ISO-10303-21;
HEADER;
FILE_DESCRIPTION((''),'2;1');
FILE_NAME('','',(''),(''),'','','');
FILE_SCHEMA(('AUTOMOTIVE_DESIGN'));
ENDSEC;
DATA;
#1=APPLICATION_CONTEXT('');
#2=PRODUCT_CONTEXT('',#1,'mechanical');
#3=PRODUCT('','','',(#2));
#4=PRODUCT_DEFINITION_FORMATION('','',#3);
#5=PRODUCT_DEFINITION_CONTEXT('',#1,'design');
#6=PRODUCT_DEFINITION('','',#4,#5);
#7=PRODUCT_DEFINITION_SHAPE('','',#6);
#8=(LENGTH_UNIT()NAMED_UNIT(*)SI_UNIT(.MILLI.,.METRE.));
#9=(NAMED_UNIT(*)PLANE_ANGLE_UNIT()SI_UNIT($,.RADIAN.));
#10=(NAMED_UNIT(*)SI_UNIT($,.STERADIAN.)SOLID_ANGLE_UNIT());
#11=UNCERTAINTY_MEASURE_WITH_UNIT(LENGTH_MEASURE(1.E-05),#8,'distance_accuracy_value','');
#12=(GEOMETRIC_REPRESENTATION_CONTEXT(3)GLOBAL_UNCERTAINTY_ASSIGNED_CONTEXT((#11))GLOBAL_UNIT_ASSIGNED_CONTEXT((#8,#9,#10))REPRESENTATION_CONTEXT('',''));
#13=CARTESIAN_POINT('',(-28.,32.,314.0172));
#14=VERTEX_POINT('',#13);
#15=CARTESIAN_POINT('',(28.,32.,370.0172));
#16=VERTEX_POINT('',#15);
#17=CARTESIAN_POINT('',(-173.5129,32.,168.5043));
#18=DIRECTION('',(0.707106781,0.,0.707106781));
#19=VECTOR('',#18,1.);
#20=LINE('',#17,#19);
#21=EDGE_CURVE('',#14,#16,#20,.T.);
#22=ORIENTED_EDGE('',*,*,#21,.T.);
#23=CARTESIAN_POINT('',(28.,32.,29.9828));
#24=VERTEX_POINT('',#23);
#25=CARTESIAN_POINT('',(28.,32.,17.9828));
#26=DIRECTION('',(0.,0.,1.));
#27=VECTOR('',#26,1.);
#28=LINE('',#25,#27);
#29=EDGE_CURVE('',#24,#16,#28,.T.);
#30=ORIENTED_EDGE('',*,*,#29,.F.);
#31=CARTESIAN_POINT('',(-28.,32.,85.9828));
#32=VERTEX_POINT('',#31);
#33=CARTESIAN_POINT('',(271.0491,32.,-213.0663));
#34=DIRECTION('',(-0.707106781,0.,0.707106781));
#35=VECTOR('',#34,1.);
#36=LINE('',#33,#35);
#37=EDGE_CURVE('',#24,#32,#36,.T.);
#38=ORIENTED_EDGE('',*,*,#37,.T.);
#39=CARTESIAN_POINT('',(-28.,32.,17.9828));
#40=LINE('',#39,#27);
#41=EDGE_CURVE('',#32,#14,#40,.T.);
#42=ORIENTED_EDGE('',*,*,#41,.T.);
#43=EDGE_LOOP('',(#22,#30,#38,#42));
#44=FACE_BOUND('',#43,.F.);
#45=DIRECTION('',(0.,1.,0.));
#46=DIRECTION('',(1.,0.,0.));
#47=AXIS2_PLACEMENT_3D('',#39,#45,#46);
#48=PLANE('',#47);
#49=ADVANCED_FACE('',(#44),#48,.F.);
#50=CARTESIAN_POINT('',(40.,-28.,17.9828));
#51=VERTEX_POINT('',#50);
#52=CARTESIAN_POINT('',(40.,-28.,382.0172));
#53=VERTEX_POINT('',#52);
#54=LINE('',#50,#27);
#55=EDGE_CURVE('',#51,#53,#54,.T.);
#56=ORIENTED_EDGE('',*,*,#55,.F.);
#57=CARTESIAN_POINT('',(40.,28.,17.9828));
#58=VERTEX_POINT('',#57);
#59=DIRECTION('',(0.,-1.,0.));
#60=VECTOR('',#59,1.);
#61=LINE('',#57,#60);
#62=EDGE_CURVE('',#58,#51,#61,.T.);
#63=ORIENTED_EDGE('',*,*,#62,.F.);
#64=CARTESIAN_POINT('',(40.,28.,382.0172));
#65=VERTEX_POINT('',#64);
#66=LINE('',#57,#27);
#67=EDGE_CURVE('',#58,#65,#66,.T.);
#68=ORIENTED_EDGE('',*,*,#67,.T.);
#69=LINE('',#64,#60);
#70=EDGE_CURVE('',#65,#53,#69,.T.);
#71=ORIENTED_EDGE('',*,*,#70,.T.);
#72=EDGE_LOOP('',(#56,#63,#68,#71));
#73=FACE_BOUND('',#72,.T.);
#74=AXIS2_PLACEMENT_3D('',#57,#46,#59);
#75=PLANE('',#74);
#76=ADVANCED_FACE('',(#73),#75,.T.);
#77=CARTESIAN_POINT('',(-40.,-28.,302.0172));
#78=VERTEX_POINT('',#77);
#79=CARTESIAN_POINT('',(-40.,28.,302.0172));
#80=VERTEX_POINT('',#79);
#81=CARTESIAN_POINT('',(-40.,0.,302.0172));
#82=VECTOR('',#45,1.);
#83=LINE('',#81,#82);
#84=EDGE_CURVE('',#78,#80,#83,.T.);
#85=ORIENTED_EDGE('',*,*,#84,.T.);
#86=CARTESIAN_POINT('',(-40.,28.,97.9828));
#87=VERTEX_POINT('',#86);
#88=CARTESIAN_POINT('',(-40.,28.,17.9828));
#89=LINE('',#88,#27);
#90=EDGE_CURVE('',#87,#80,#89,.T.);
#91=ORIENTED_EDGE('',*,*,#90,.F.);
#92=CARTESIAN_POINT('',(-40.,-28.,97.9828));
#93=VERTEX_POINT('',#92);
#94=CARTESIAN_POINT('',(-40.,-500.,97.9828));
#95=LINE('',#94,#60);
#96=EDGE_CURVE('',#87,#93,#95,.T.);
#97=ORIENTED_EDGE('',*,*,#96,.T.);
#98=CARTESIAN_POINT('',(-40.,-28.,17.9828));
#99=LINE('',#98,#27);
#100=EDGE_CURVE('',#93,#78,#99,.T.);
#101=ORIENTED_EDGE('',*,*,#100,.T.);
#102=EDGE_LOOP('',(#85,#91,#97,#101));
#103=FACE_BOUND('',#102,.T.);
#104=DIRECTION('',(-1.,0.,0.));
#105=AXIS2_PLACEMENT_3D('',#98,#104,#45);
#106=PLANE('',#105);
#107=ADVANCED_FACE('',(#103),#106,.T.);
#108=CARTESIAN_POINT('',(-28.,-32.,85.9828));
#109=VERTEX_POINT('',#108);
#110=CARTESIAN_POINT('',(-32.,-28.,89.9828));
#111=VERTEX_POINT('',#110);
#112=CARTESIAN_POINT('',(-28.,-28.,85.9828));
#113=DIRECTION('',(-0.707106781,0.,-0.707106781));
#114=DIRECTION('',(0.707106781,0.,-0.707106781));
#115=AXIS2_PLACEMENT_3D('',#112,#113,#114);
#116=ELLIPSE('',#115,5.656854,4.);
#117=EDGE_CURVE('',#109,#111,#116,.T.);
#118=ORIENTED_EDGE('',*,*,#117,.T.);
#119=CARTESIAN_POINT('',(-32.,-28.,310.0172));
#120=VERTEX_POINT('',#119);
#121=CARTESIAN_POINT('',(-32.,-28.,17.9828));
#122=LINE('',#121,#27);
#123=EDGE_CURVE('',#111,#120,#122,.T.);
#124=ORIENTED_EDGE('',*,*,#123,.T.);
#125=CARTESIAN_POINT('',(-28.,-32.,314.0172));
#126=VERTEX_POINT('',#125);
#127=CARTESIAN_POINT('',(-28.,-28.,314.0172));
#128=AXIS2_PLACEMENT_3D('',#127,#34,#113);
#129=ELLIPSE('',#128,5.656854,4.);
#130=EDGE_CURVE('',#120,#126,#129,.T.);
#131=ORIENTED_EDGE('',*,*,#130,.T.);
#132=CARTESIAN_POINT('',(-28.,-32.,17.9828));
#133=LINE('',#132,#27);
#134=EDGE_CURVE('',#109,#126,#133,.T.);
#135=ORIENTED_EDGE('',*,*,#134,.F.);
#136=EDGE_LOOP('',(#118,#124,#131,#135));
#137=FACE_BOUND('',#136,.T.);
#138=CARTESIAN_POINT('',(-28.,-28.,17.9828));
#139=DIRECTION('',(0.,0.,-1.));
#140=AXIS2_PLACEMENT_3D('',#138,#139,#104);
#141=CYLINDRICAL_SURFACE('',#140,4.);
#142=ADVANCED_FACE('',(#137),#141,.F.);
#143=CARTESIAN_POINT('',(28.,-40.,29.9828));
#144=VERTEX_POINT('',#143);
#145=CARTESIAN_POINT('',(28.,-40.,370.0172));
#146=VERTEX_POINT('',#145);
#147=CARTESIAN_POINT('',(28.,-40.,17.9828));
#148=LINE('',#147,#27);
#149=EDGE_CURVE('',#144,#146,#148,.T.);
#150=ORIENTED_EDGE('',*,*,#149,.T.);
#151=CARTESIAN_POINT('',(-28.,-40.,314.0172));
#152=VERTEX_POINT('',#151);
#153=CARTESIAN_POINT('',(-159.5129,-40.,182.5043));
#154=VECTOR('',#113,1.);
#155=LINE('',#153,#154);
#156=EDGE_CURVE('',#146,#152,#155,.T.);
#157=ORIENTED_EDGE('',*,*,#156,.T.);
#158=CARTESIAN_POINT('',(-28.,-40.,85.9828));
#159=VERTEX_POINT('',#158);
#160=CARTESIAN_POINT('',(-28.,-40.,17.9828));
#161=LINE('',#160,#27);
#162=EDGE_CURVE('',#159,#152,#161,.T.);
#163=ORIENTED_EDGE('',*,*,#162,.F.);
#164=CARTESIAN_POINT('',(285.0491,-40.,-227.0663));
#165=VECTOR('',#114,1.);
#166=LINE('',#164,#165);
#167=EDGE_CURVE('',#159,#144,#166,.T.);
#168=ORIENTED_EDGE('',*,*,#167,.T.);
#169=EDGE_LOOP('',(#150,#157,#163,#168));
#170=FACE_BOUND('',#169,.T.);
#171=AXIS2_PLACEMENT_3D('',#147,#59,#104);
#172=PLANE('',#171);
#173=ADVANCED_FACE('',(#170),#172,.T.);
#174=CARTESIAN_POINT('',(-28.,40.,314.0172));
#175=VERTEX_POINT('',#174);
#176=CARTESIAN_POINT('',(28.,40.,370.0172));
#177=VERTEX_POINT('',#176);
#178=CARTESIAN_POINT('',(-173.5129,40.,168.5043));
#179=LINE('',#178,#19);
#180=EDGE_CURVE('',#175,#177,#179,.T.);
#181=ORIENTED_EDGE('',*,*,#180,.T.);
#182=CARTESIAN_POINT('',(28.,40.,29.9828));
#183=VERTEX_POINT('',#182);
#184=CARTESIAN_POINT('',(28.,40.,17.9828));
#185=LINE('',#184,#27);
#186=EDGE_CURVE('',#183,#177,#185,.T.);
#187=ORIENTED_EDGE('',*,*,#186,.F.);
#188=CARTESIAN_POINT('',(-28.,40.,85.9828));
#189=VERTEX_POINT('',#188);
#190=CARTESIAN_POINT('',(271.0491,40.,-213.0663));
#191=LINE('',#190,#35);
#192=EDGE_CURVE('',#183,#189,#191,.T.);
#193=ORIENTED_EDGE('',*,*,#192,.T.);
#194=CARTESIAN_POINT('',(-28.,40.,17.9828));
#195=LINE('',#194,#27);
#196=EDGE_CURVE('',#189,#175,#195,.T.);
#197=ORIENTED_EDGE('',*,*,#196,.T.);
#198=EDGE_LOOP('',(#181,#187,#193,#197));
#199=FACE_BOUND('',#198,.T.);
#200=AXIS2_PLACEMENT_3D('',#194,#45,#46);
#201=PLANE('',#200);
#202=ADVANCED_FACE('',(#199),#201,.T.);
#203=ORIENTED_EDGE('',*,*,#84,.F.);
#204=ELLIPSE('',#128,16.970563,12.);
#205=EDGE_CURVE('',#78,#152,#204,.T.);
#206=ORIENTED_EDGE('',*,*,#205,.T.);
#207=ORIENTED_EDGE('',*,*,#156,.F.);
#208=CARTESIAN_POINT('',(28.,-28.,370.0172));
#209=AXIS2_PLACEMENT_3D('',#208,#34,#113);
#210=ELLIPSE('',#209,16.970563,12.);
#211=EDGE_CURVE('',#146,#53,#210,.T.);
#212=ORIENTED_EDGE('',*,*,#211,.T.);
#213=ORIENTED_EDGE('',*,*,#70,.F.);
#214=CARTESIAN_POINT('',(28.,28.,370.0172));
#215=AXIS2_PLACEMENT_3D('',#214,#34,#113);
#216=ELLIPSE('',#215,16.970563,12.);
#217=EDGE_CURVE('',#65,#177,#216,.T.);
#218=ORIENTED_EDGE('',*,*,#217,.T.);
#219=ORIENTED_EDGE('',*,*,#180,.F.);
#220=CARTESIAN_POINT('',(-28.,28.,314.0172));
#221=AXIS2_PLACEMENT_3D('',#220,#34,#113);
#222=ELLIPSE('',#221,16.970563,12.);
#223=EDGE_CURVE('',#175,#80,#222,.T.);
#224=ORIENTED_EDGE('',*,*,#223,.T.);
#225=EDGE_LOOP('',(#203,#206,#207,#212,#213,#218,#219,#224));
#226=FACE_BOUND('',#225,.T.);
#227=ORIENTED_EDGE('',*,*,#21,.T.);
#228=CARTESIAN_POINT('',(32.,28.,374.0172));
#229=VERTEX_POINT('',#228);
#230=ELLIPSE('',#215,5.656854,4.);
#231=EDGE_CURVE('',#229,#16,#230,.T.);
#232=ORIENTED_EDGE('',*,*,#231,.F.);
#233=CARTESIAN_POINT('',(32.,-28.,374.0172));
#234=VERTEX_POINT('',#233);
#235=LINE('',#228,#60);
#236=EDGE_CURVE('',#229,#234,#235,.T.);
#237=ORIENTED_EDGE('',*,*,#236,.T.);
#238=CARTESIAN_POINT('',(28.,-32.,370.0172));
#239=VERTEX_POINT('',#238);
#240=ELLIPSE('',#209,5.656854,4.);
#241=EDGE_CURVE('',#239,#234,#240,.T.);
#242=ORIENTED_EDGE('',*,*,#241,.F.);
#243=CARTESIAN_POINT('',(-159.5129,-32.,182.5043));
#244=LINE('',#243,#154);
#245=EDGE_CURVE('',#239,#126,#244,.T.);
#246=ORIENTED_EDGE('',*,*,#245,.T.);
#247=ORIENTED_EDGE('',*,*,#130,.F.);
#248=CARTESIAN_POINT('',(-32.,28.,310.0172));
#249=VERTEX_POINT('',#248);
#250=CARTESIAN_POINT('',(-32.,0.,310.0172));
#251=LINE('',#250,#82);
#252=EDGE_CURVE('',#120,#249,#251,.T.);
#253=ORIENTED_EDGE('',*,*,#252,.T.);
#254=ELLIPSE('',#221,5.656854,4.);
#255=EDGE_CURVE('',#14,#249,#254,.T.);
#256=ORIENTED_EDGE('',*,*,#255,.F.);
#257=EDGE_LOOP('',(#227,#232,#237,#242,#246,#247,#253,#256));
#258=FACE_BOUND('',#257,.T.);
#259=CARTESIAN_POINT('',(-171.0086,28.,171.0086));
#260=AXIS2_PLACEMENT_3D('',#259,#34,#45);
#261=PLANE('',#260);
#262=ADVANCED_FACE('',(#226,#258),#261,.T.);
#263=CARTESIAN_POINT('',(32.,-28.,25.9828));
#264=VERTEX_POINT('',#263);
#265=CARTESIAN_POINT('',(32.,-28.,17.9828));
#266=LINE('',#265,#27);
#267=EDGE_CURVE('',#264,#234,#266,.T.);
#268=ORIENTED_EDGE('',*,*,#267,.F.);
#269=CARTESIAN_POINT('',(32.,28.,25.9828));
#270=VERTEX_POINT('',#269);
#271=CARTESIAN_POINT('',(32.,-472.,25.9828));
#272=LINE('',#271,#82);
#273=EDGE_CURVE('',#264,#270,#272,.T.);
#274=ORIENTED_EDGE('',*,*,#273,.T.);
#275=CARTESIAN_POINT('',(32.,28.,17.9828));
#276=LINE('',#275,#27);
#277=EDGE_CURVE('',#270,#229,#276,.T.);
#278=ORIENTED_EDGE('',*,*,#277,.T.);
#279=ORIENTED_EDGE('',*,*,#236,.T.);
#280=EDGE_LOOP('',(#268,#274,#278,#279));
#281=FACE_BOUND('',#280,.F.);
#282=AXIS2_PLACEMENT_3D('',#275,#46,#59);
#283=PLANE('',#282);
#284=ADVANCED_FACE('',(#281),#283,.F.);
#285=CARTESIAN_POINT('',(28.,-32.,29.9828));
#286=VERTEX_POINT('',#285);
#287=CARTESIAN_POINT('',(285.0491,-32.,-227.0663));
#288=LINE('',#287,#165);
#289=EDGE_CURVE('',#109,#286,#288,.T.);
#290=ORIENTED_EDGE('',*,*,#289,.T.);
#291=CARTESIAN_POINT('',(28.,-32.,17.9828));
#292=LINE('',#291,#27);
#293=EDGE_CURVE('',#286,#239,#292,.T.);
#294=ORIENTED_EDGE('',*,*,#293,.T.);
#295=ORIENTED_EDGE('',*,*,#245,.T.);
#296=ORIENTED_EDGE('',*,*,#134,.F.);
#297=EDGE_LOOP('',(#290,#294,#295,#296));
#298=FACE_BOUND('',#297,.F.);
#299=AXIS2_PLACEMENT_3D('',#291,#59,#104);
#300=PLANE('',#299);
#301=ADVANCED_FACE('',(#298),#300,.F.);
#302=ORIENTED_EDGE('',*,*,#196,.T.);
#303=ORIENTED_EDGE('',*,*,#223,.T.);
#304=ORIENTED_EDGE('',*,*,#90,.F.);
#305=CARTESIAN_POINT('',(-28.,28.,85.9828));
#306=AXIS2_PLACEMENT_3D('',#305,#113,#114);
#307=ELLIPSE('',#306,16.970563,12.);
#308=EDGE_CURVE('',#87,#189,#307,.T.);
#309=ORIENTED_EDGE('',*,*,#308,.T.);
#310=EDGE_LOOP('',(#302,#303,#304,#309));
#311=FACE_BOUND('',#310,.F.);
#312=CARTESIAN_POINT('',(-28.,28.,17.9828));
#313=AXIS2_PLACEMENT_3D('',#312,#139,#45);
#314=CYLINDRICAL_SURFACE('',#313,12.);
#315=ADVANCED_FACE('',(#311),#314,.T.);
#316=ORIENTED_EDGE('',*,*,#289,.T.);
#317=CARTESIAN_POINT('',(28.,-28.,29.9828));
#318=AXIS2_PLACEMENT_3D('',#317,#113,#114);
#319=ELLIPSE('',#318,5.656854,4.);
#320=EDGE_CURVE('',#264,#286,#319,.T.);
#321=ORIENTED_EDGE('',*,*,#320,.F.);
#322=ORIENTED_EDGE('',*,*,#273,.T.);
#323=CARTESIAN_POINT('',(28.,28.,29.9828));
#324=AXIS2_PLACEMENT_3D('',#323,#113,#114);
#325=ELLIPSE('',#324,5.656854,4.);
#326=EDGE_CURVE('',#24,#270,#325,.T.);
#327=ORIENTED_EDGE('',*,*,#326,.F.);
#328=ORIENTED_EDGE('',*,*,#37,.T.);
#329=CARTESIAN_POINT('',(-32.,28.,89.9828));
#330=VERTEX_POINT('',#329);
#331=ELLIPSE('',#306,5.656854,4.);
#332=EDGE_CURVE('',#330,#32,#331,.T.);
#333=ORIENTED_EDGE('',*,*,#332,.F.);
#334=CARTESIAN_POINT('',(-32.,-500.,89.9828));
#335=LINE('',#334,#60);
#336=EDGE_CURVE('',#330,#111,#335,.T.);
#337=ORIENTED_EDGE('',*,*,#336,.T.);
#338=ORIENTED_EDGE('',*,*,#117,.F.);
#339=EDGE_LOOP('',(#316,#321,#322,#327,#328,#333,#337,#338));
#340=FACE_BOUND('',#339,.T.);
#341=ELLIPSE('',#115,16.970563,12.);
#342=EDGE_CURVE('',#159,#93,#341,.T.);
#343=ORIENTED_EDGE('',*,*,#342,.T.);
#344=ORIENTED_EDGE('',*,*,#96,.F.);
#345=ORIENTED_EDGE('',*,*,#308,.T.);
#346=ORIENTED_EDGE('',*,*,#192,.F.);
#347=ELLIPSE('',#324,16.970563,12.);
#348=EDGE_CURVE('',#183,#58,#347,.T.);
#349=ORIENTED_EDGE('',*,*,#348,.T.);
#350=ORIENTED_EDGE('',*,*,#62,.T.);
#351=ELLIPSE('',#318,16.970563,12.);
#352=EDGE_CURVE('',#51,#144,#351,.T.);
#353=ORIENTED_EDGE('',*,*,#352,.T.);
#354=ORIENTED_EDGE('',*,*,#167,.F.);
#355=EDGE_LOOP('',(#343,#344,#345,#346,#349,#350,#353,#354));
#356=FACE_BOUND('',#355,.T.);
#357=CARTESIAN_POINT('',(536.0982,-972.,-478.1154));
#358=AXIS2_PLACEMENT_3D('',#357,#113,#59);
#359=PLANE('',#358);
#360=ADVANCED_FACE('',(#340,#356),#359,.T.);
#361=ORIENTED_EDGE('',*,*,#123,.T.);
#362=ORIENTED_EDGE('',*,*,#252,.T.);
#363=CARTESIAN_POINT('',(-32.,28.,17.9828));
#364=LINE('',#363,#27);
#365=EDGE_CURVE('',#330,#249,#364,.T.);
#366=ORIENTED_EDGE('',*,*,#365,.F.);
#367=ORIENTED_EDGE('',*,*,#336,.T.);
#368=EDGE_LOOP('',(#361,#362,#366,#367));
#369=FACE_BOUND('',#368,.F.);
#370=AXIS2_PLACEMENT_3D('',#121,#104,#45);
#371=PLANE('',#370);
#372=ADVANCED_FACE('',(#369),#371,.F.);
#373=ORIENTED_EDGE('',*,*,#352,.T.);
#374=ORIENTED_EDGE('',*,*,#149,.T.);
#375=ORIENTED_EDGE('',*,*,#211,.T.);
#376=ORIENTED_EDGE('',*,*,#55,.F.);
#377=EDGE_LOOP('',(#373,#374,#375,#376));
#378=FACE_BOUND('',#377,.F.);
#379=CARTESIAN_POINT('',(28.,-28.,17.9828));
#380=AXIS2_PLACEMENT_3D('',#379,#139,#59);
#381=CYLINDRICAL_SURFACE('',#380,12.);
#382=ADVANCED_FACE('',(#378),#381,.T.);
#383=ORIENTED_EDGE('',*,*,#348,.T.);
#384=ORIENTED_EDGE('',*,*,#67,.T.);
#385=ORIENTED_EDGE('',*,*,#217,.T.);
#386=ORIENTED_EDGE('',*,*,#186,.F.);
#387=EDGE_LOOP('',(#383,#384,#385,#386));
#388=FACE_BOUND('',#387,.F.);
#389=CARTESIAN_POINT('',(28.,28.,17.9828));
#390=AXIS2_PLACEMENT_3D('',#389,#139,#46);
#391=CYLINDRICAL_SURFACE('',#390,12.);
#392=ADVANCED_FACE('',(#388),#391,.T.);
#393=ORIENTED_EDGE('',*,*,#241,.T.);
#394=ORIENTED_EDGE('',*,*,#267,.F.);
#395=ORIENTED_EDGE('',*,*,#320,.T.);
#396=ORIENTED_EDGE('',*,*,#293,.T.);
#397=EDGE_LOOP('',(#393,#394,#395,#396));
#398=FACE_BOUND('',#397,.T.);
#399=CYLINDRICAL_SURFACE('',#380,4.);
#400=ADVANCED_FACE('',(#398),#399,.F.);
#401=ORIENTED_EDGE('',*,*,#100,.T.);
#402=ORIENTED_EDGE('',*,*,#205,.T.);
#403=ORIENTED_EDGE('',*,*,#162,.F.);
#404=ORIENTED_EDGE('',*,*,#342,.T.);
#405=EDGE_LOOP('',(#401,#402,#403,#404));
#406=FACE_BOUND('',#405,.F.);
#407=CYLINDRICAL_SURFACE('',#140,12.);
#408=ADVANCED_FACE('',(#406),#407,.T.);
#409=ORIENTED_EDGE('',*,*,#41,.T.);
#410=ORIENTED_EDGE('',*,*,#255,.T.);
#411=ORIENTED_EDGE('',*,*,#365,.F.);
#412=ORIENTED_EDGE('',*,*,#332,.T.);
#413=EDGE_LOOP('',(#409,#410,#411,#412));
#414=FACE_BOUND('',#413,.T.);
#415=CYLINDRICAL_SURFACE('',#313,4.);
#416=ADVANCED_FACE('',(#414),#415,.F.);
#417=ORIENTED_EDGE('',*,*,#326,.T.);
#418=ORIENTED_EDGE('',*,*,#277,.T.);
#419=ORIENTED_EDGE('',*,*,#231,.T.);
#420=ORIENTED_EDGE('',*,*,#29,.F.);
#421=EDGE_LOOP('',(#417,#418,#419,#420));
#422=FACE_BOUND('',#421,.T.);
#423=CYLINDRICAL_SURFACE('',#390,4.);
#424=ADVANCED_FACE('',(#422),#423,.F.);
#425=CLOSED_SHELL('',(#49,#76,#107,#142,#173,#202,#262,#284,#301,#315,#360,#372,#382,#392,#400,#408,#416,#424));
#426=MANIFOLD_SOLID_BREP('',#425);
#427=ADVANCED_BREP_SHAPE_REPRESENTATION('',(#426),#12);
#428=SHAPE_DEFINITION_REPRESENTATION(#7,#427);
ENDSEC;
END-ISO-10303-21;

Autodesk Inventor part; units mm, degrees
ref_plane "Start Plane" through (0, 0, 17.9828) normal (0, 0, 1) x (1, 0, 0)
ref_plane "End Plane" through (0, 0, 382.0172) normal (0, 0, 1) x (1, 0, 0)
sketch "Sketch" plane through (0, 0, 0) normal (0, 0, 1) x (1, 0, 0)
  line L0 (-40, -28) -> (-40, 28)
  line L1 (-28, 40) -> (28, 40)
  line L2 (40, 28) -> (40, -28)
  line L3 (28, -40) -> (-28, -40)
  arc A0 (-40, -28) -> (-28, -40) centre (-28, -28) ccw
  arc A1 (-28, 40) -> (-40, 28) centre (-28, 28) ccw
  arc A2 (40, 28) -> (28, 40) centre (28, 28) ccw
  arc A3 (28, -40) -> (40, -28) centre (28, -28) ccw
  arc A4 (-28, 32) -> (-32, 28) centre (-28, 28) ccw
  line L4 (-28, 32) -> (28, 32)
  arc A5 (32, 28) -> (28, 32) centre (28, 28) ccw
  line L5 (32, 28) -> (32, -28)
  arc A6 (28, -32) -> (32, -28) centre (28, -28) ccw
  line L6 (28, -32) -> (-28, -32)
  arc A7 (-32, -28) -> (-28, -32) centre (-28, -28) ccw
  line L7 (-32, -28) -> (-32, 28)
  line L8 (0, 59.4794) -> (0, -59.4794) construction
  line L9 (-59.4794, 0) -> (59.4794, 0) construction
  dimension "d7" = 12
  dimension "d10" = 80
  dimension "d11" = 80
  dimension "d12" = 8
  dimension "d15" = 40
  dimension "d16" = 40
extrude "Body" add sketch "Sketch" along normal up to surface (364.0345 mm away) from surface at 17.9828
sketch "Sketch3" plane through (0, 0, 0) normal (0, 0, 1) x (1, 0, 0)
  line L0 (0, 0) -> (10, 0)
ref_plane "Work Plane3" through (0, 0, 0) normal (0, -1, 0) x (1, 0, 0)
ref_plane "Work Plane4" through (536.0982, -972, -478.1154) normal (-0.7071, 0, -0.7071) x (-0.7071, 0, 0.7071)
split "Split1" plane through (536.0982, -972, -478.1154) removes the side toward (-0.7071, 0, -0.7071)
ref_plane "Work Plane5" through (-171.0086, 28, 171.0086) normal (-0.7071, 0, 0.7071) x (0.7071, 0, 0.7071)
split "Split2" plane through (-171.0086, 28, 171.0086) removes the side toward (-0.7071, 0, 0.7071)
sketch "Sketch4" plane through (0, 0, 0) normal (0, -1, 0) x (1, 0, 0)
  line L0 (-2, 17.9828) -> (12, 17.9828) projected
  line L1 (-2, 382.0172) -> (12, 382.0172) projected
  dimension "d18" = 364.0345
equation "\"d7\" = G_IR"
equation "\"d10\" = G_H"
equation "\"d11\" = G_W"
equation "\"d12\" = G_T"
equation "\"d15\" = 0.5 * d10"
equation "\"d16\" = 0.5 * d11"
equation "\"d3\" = G_L"
equation "\"G_W\" = 80"
equation "\"G_H\" = 80"
equation "\"G_T\" = 8"
equation "\"G_IR\" = 12"
equation "\"G_L\" = d18"
equation "\"G_OFFSET_START\" = -17.98276"
equation "\"G_OFFSET_END\" = -17.98276"
equation "\"d13\" = -G_OFFSET_START"
equation "\"d14\" = G_OFFSET_END + B_L"
equation "\"B_L\" = 400"
properties part number "ISO 12633-2 - 80x80x8 - 364.03" material "Steel, Mild"
